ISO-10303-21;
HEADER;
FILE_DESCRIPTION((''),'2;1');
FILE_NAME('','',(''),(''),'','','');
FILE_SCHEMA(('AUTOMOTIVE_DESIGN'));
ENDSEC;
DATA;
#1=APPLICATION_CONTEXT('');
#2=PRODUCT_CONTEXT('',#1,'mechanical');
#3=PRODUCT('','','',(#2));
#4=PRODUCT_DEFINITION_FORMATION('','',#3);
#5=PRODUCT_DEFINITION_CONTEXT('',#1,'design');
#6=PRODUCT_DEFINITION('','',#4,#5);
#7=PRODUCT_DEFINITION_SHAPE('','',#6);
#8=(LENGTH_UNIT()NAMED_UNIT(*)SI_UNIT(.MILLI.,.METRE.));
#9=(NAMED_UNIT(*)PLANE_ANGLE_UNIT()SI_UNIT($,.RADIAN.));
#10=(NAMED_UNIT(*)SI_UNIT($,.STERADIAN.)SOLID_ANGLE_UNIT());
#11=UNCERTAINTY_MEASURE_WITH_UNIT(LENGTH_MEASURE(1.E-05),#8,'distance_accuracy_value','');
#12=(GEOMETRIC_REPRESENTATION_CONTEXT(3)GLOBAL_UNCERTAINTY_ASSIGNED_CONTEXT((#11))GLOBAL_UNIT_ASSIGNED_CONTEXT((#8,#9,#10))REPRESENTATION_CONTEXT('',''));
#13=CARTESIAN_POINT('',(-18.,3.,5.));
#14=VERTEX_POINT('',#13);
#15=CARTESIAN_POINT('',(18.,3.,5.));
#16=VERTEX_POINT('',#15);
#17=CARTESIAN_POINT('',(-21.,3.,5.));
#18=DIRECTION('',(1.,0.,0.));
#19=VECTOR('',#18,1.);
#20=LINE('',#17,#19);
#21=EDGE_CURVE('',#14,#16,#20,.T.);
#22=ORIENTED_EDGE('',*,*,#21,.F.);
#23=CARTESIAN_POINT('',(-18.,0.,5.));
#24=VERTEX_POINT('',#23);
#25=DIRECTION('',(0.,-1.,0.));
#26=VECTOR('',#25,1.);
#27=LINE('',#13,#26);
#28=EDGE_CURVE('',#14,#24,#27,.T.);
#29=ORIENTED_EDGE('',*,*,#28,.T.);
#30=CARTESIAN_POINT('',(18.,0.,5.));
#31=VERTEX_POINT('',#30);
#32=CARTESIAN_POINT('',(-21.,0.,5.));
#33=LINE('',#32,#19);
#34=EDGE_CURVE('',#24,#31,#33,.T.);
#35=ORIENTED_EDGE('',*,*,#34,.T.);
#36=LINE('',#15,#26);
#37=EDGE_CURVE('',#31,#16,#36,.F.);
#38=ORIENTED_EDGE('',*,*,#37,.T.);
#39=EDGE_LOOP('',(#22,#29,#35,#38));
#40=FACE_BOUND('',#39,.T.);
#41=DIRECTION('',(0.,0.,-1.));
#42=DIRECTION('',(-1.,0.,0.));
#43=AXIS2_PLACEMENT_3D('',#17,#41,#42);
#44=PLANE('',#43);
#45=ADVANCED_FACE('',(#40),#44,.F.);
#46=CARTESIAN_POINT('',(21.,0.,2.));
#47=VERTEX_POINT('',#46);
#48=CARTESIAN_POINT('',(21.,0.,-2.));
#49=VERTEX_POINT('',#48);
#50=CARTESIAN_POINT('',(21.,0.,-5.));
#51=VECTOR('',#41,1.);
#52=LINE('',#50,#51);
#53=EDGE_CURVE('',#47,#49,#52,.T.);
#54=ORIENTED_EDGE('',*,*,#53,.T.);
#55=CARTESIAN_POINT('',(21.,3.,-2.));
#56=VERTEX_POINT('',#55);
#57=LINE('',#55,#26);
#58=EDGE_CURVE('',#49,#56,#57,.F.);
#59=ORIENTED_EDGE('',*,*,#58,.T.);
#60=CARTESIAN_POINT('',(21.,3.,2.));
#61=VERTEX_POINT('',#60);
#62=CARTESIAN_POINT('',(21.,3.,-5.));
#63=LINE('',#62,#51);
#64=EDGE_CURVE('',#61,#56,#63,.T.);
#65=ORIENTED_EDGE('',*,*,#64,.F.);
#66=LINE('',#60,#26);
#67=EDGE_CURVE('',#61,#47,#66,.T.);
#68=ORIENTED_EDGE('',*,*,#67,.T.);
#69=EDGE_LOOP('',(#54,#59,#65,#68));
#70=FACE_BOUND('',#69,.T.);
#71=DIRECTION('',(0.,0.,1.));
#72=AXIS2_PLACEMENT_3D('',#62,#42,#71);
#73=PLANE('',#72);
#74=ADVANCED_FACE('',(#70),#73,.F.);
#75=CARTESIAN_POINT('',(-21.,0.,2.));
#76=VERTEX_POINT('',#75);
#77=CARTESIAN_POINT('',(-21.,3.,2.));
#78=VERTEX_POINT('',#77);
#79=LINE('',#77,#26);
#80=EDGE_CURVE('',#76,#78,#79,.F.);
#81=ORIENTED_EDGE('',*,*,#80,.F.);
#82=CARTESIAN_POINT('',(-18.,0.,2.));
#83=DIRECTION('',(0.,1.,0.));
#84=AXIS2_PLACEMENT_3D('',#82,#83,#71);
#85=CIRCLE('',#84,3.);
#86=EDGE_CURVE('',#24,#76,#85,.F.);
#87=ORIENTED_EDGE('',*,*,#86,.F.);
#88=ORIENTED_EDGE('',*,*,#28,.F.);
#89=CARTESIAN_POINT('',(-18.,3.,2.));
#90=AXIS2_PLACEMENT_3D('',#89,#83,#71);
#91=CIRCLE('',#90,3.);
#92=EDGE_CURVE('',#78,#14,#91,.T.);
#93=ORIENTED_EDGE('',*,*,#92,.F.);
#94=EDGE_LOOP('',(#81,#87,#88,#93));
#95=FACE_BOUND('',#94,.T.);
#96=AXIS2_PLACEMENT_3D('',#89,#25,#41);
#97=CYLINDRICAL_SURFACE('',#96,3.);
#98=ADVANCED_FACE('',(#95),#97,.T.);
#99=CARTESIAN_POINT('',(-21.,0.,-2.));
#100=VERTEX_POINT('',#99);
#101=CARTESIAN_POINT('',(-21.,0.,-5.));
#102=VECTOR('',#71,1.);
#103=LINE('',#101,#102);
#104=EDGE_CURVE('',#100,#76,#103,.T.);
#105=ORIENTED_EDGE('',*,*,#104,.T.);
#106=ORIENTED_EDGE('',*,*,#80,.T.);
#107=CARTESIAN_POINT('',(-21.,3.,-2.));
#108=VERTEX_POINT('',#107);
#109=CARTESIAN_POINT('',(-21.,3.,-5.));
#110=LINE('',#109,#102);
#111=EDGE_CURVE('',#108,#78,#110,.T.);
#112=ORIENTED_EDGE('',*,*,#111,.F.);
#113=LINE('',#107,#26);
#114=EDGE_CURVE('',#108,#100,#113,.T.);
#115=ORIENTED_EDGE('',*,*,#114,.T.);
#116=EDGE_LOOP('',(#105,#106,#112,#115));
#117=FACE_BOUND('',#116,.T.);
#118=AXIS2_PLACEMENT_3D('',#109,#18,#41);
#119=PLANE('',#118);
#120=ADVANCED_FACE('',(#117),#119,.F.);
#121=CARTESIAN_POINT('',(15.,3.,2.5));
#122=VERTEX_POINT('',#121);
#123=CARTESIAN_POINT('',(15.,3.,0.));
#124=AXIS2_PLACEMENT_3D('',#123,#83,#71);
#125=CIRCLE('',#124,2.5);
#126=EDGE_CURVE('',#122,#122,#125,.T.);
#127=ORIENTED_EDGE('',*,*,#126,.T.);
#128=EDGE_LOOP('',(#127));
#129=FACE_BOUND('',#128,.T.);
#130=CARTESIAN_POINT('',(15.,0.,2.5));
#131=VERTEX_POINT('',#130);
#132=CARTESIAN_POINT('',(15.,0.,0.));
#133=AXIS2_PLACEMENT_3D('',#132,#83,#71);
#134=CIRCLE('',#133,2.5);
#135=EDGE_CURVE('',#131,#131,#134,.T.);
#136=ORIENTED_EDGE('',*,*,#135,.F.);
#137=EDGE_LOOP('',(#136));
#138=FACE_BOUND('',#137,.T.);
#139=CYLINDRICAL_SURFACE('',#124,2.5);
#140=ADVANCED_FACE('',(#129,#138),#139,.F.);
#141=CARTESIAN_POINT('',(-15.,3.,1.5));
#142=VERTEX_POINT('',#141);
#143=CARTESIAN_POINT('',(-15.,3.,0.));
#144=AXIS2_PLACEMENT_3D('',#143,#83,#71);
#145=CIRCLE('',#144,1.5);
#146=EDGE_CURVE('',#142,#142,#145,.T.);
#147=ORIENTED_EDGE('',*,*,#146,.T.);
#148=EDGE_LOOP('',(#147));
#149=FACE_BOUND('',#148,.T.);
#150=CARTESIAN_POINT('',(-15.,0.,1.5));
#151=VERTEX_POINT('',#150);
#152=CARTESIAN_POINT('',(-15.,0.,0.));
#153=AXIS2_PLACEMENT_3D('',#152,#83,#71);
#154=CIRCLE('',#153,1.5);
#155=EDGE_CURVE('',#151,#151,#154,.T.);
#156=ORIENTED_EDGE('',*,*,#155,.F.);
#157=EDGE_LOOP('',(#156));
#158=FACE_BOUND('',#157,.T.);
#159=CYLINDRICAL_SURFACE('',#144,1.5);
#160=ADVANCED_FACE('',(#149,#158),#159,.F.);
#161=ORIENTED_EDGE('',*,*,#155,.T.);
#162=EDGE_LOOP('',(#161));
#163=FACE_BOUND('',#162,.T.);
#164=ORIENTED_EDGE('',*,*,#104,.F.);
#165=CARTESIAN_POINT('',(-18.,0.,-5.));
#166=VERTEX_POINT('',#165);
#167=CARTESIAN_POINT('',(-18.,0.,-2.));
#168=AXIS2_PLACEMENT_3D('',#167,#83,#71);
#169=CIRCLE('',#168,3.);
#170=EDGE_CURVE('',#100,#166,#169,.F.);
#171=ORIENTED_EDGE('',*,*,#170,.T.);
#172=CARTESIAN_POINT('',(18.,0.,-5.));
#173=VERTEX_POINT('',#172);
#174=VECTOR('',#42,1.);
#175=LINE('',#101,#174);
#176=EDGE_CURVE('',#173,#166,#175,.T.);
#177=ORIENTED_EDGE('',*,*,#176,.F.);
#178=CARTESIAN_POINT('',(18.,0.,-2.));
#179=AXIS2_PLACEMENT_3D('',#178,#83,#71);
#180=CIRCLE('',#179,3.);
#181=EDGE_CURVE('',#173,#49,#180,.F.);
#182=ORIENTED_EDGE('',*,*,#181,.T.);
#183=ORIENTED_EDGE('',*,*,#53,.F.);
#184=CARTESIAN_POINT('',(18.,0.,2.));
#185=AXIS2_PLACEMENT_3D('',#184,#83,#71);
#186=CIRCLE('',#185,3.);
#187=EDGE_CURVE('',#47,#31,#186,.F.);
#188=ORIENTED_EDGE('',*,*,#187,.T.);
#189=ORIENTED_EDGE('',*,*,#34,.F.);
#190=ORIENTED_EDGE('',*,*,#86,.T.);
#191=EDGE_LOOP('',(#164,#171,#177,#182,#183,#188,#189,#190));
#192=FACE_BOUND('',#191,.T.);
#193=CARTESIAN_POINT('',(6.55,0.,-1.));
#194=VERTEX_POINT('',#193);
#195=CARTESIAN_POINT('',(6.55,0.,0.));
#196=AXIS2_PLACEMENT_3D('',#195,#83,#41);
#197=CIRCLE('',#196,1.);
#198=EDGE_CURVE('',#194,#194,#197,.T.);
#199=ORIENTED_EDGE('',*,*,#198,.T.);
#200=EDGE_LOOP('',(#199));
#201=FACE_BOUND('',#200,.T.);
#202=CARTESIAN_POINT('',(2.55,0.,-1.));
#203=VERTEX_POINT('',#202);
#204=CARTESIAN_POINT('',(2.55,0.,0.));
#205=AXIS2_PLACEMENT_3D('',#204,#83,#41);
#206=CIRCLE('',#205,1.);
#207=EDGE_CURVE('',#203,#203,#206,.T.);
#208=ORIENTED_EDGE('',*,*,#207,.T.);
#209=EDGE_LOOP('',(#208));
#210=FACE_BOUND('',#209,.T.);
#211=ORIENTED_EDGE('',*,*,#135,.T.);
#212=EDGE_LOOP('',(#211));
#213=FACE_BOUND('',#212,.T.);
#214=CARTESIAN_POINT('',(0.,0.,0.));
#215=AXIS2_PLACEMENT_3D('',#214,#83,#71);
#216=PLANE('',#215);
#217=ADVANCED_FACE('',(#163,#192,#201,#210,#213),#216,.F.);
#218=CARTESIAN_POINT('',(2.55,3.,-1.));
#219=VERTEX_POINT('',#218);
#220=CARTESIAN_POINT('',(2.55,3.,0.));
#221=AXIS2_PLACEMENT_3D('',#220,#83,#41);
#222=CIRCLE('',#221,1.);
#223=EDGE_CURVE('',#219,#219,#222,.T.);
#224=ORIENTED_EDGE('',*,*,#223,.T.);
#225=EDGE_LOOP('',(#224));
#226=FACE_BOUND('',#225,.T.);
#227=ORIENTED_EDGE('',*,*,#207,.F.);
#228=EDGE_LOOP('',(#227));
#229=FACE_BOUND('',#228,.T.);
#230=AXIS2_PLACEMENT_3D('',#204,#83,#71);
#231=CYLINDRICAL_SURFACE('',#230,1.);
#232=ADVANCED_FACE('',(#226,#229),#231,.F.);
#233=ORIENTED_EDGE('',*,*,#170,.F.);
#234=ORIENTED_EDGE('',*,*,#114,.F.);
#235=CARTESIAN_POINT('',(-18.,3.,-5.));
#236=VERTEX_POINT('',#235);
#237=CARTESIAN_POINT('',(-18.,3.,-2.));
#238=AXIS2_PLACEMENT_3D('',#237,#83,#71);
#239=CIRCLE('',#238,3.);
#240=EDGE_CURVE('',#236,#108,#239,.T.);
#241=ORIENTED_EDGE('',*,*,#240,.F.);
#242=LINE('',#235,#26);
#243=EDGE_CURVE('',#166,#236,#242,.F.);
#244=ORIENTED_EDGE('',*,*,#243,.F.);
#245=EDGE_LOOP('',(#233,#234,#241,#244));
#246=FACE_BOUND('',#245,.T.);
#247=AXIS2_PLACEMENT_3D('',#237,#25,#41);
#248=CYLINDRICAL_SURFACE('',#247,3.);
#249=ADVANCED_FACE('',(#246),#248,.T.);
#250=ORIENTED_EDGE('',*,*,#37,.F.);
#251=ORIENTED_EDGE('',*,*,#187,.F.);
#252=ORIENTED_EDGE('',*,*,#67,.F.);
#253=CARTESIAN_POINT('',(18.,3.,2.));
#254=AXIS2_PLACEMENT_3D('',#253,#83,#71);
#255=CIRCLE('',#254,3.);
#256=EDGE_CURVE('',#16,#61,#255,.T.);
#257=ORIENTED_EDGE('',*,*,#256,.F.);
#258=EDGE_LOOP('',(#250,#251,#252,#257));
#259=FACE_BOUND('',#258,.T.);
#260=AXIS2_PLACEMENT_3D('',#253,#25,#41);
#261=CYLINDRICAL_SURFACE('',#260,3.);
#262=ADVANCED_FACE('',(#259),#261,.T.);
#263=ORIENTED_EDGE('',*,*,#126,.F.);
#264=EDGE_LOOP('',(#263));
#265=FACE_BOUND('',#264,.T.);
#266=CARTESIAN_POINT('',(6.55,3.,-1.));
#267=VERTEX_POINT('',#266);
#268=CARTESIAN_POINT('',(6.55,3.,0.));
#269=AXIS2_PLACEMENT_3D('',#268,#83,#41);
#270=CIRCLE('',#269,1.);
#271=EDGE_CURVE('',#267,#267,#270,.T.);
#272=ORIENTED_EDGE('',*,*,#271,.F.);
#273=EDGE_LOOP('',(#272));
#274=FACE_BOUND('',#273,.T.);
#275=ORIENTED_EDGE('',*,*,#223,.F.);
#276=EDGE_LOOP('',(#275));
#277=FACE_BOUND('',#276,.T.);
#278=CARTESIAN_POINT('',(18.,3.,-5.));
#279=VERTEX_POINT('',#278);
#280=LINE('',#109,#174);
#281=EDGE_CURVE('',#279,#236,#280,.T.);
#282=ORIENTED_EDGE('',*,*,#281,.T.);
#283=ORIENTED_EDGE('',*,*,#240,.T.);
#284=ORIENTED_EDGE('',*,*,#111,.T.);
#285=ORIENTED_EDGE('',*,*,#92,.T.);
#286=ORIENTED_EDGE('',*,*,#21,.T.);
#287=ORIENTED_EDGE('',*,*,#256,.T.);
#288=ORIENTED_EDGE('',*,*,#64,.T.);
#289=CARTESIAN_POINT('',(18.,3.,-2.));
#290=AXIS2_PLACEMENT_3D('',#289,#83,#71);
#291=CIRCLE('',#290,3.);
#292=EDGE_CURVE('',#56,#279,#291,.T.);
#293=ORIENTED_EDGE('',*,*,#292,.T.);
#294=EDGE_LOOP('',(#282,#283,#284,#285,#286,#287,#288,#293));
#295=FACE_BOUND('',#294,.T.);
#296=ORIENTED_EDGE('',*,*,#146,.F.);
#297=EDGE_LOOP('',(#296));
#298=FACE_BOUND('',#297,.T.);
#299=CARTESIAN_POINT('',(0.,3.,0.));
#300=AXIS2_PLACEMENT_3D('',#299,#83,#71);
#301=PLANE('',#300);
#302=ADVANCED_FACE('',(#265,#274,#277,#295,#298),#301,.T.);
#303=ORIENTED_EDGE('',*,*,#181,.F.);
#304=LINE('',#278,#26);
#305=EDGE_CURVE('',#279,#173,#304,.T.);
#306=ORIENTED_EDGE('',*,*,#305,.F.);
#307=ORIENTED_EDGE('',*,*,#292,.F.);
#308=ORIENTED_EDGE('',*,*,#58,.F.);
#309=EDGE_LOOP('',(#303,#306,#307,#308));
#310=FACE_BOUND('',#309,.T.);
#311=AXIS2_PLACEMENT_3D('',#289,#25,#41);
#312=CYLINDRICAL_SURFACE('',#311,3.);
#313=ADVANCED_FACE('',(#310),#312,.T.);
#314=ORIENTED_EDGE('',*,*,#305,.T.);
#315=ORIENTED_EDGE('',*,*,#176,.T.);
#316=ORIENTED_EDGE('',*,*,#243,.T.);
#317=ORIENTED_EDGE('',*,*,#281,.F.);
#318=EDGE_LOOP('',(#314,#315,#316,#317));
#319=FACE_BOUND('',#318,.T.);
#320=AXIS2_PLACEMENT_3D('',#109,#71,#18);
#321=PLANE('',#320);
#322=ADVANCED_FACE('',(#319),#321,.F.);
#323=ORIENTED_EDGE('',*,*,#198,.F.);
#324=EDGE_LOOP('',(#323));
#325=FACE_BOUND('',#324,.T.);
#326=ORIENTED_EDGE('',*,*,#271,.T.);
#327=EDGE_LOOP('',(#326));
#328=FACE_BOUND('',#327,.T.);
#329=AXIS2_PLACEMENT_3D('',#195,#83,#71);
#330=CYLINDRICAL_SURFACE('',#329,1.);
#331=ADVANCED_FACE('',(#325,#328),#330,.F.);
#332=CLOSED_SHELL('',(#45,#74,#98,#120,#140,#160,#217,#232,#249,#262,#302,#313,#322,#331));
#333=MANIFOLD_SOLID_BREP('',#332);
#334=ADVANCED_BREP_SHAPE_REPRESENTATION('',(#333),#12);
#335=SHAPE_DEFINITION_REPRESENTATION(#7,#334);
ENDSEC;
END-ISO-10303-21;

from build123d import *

# Parameters (mm, degrees)
SKETCH1_W             = 42
SKETCH1_H             = 10
BOSS_EXTRUDE1_DEPTH   = 3
F_5_0MM_DOWEL_HOLE1_D = 5
F_3_0MM_DOWEL_HOLE1_D = 3
SKETCH2_R             = 1
CUT_EXTRUDE1_DEPTH    = 3
FILLET1_R             = 3


with BuildPart() as part:
    # Sketch1 → Boss-Extrude1 (new body)
    with BuildSketch(Plane(origin=(0, 0, 0), x_dir=(1, 0, 0), z_dir=(0, 1, 0))):
        Rectangle(SKETCH1_W, SKETCH1_H)
    extrude(amount=BOSS_EXTRUDE1_DEPTH)

    # Ø5.0mm Dowel Hole1 (through all)
    with Locations(Plane(origin=(0, 3, 0), x_dir=(1, 0, 0), z_dir=(0, 1, 0))):
        with Locations((15, 0)):
            Hole(F_5_0MM_DOWEL_HOLE1_D / 2)

    # Ø3.0mm Dowel Hole1 (through all)
    with Locations(Plane(origin=(0, 3, 0), x_dir=(1, 0, 0), z_dir=(0, 1, 0))):
        with Locations((-15, 0)):
            Hole(F_3_0MM_DOWEL_HOLE1_D / 2)

    # Sketch2 → Cut-Extrude1 (cut)
    with BuildSketch(Plane(origin=(0, 3, 0), x_dir=(1, 0, 0), z_dir=(0, 1, 0))):
        with Locations((6.55, 0)):
            Circle(SKETCH2_R)
        with Locations((2.55, 0)):
            Circle(SKETCH2_R)
    extrude(amount=-CUT_EXTRUDE1_DEPTH, mode=Mode.SUBTRACT)

    # Fillet1
    fillet1_edges = [part.edges().sort_by_distance(p)[0] for p in [
        (21, 1.5, 5),
        (-21, 1.5, 5),
        (-21, 1.5, -5),
        (21, 1.5, -5),
    ]]
    fillet(fillet1_edges, radius=FILLET1_R)


solid = part.part
